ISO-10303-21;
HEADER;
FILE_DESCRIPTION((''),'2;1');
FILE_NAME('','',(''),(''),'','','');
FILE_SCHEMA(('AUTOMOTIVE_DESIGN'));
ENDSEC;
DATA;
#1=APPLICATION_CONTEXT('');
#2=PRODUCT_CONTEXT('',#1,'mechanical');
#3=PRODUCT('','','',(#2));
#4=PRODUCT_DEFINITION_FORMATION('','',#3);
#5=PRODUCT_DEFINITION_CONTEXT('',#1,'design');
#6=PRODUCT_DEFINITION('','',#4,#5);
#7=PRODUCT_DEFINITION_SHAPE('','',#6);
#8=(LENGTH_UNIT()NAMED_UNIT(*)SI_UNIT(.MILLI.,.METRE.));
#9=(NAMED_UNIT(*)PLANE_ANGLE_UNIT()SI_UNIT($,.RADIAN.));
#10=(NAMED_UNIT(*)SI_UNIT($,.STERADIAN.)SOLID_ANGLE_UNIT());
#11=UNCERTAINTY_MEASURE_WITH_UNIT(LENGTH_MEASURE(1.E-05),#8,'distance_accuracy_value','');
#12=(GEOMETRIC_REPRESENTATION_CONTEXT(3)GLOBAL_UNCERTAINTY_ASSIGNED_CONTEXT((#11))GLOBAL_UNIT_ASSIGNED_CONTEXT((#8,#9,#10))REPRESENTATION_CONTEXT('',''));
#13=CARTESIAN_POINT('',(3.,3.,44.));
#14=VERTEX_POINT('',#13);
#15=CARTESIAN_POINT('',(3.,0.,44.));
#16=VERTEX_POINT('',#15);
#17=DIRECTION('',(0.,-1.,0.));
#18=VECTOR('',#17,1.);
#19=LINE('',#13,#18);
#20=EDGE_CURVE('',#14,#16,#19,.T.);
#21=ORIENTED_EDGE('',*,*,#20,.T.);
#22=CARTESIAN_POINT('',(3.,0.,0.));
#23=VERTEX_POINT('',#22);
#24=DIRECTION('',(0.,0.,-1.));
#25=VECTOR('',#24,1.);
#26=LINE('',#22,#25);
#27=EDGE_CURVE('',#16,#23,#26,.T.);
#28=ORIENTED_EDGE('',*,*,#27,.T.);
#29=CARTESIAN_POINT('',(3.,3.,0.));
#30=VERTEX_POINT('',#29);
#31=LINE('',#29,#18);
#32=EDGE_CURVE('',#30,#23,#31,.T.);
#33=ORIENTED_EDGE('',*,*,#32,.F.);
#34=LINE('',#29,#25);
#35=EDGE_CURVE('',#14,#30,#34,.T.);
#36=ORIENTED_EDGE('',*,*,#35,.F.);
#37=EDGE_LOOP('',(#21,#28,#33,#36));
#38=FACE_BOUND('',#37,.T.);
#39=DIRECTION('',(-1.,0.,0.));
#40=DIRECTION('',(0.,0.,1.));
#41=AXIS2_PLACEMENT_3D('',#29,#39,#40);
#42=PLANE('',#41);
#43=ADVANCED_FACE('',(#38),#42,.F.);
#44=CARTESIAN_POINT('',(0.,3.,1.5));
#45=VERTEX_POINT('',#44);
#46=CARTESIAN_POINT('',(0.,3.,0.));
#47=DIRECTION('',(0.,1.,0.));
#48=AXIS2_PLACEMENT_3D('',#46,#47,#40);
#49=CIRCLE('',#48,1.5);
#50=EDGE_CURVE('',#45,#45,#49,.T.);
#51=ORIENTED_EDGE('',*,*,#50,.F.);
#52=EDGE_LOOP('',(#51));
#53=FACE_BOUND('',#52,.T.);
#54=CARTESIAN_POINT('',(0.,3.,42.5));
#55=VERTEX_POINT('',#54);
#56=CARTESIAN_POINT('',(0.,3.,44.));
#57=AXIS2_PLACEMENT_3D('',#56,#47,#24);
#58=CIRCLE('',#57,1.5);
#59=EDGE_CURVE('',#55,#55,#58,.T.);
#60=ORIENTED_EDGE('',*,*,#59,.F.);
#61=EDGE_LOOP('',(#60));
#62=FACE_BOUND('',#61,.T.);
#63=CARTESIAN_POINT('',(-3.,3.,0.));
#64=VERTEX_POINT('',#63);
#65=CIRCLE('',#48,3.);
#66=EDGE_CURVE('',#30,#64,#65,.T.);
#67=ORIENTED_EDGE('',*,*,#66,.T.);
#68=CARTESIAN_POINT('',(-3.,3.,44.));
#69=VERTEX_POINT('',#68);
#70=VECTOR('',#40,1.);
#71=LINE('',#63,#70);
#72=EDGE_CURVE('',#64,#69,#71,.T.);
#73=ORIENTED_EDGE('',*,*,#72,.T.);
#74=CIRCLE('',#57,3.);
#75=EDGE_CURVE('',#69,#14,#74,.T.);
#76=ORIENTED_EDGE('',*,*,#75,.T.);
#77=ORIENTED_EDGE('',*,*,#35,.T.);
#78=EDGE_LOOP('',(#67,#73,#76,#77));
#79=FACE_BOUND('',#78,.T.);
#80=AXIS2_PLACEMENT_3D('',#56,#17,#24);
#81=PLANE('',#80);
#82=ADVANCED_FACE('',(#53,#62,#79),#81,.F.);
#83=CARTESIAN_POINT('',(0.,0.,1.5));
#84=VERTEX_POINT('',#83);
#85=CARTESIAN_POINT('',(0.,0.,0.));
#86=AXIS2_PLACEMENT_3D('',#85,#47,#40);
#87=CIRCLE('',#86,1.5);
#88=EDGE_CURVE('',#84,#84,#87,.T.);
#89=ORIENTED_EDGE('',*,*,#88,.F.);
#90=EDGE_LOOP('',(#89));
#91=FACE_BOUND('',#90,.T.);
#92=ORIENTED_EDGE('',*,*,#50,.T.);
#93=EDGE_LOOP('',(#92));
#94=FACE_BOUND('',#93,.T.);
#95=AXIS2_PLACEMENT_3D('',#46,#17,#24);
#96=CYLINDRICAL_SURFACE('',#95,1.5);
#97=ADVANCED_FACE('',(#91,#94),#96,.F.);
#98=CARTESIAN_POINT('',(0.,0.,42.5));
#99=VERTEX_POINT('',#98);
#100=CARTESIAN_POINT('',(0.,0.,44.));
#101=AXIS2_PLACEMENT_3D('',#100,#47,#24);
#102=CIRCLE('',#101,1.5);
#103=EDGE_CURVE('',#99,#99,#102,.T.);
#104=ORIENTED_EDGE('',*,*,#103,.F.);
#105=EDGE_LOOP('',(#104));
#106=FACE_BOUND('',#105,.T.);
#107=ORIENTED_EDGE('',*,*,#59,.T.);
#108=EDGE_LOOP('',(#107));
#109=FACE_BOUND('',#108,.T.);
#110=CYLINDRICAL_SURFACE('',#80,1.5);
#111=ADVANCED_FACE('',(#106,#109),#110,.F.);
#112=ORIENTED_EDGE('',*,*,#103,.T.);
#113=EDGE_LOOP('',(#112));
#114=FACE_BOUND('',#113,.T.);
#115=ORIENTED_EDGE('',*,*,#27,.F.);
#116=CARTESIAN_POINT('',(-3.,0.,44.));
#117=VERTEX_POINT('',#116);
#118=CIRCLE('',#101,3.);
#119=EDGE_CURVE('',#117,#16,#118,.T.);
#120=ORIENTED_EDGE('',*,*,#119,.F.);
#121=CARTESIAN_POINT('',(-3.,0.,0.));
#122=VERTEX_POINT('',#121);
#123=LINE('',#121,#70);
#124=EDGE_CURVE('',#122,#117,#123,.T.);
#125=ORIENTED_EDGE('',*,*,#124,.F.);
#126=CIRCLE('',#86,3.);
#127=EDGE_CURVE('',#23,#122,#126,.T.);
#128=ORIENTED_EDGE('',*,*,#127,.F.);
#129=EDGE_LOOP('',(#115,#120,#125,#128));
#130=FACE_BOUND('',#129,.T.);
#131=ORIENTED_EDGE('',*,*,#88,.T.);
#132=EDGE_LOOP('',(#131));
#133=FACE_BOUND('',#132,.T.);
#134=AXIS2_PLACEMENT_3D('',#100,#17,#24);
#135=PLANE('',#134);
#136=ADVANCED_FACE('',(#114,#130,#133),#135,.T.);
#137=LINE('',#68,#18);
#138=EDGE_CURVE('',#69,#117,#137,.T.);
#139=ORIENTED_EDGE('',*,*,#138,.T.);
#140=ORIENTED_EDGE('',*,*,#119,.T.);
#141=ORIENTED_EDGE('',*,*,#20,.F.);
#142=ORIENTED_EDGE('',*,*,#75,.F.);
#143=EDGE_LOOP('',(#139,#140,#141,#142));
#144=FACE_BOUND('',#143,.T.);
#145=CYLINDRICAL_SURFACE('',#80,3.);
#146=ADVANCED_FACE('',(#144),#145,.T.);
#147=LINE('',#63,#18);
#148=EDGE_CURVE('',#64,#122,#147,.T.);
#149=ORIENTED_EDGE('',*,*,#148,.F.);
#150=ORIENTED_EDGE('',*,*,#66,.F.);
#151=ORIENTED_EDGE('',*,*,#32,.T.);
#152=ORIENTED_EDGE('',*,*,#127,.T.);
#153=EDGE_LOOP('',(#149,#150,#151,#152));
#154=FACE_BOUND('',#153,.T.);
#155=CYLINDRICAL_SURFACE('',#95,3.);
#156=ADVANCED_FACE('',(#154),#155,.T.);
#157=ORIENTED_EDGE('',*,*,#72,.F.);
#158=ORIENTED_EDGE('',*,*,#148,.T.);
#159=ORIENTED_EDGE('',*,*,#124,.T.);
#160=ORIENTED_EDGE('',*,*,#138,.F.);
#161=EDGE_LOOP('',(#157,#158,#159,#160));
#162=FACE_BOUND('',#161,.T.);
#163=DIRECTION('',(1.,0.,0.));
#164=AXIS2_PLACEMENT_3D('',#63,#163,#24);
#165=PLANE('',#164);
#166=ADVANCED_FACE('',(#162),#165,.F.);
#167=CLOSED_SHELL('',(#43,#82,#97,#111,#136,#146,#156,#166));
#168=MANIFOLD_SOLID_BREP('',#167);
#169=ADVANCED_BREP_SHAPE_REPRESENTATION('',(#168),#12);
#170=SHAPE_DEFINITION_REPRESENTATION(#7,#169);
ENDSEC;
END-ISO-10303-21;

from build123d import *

# Parameters (mm, degrees)
ESQUISSE1_R        = 1.5
BOSS_EXTRU_1_DEPTH = 3


with BuildPart() as part:
    # Esquisse1 → Boss.-Extru.1 (new body)
    with BuildSketch(Plane(origin=(0, 0, 0), x_dir=(1, 0, 0), z_dir=(0, 1, 0))):
        with BuildLine():
            Line((-3, 0), (-3, -44))
            ThreePointArc((-3, -44), (0, -47), (3, -44))
            Line((3, -44), (3, 0))
            ThreePointArc((3, 0), (0, 3), (-3, 0))
        make_face()
        with Locations(Location((0, 0, 0), (0, 0, 270))):
            Circle(ESQUISSE1_R, mode=Mode.SUBTRACT)
        with Locations(Location((0, -44, 0), (0, 0, 90))):
            Circle(ESQUISSE1_R, mode=Mode.SUBTRACT)
    extrude(amount=BOSS_EXTRU_1_DEPTH)


solid = part.part
